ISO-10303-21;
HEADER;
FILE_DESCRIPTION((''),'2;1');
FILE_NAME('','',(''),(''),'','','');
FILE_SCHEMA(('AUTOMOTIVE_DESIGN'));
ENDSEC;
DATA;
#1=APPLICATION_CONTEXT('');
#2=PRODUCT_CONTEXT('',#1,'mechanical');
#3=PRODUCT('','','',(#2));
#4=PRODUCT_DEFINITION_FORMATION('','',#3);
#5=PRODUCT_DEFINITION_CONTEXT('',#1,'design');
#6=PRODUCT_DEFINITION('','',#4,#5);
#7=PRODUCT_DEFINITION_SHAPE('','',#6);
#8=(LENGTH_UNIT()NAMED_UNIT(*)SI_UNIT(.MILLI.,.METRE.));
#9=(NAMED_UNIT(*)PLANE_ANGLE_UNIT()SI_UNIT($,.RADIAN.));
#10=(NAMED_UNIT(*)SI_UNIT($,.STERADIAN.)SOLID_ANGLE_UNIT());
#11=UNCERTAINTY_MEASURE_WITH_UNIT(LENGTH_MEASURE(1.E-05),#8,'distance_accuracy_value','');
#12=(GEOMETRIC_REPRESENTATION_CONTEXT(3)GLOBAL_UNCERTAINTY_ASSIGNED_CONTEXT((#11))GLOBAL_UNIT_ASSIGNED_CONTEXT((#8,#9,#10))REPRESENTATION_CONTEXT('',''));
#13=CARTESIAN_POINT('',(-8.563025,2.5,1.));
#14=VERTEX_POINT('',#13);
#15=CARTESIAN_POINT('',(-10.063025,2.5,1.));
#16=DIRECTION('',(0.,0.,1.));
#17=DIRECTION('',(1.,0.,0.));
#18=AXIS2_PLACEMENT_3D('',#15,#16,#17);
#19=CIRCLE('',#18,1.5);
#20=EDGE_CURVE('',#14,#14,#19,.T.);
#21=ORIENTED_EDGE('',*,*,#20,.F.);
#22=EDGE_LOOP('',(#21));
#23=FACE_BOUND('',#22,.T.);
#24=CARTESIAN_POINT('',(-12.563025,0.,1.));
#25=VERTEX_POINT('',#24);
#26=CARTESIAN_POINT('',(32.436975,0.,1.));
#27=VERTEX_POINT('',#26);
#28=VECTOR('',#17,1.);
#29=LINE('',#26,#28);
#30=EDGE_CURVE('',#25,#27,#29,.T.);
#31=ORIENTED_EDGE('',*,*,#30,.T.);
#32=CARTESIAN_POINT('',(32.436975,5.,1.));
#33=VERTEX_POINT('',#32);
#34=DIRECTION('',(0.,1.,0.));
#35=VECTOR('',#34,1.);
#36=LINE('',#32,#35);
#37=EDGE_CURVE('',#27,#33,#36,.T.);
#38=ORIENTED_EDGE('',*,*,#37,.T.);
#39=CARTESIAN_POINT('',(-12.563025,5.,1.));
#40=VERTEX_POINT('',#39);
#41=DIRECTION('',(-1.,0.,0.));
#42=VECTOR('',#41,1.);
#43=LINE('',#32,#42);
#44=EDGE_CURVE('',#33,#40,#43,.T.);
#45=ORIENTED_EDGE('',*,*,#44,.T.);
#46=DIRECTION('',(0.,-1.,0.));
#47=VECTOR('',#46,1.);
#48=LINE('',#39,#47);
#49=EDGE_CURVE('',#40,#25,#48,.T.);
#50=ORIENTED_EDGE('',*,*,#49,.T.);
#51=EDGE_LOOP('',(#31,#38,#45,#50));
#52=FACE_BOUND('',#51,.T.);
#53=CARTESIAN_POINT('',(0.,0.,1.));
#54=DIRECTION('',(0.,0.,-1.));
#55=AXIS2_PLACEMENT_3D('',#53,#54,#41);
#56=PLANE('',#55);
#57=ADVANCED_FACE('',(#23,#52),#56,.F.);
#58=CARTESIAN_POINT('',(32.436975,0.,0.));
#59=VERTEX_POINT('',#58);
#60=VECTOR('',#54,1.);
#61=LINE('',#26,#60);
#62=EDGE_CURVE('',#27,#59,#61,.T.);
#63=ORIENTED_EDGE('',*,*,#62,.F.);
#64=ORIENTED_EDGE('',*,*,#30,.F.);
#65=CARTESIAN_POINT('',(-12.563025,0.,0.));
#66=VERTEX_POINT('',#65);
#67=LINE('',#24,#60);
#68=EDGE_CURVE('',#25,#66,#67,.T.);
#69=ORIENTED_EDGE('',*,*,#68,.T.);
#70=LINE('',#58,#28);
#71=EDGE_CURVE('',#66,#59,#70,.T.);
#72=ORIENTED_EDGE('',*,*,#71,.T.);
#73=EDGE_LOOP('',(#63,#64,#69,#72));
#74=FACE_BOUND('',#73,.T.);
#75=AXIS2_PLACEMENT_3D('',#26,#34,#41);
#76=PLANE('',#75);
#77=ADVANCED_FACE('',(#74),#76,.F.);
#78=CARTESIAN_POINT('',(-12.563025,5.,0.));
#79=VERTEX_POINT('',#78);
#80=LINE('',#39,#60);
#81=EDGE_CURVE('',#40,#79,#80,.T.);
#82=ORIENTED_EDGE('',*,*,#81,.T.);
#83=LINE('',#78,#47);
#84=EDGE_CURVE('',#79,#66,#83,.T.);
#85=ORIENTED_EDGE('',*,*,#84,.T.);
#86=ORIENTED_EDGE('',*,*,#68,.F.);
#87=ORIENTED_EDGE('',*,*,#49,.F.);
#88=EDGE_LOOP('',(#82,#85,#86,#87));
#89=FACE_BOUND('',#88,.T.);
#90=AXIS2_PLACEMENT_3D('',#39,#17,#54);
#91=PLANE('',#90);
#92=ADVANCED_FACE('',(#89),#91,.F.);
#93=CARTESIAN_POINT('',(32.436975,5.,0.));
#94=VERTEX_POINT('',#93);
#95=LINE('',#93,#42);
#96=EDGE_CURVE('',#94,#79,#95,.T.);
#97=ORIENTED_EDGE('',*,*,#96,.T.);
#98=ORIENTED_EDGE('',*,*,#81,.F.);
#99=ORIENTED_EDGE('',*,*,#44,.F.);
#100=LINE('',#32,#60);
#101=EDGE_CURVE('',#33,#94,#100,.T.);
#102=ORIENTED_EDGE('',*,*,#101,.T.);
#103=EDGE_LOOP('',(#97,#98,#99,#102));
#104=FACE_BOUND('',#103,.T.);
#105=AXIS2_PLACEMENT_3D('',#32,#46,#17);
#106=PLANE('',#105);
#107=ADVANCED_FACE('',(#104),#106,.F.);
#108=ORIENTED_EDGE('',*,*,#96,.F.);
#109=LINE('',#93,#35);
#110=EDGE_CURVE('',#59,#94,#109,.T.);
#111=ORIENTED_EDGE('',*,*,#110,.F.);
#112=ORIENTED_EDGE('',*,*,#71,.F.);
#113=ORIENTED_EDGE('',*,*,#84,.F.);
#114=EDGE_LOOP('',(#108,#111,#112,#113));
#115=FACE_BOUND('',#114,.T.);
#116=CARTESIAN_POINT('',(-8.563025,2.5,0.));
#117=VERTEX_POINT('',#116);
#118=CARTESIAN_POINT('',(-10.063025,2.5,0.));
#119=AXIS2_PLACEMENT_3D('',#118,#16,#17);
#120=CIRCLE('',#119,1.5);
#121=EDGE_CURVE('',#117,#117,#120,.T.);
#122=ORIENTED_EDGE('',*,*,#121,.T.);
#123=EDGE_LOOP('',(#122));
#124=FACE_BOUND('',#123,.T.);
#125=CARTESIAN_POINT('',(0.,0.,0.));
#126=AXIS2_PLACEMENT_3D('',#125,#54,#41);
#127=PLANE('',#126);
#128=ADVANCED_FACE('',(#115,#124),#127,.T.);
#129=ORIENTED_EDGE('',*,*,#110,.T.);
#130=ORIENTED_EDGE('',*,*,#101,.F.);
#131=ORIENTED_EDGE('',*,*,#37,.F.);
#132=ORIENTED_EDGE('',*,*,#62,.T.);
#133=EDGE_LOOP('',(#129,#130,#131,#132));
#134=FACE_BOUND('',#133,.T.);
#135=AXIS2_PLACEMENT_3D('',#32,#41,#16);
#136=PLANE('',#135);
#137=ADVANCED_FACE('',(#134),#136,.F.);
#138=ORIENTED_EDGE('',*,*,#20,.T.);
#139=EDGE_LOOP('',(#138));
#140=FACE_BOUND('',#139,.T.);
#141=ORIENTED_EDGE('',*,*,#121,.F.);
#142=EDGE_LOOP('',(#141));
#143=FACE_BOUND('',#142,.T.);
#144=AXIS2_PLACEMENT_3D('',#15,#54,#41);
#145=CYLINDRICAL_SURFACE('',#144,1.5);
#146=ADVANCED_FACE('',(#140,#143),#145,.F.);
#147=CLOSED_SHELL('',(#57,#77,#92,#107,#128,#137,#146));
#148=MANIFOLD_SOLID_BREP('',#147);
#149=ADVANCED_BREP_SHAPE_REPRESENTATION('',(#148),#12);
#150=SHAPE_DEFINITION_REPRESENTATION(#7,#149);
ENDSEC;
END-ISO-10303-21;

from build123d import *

# Parameters (mm, degrees)
SKETCH_1_W      = 45
SKETCH_1_H      = 5
SKETCH_1_R      = 1.5
EXTRUDE_1_DEPTH = 1


with BuildPart() as part:
    # 草图1 → 凸台-拉伸1 (new body)
    with BuildSketch(Plane.XY):
        with Locations((9.93697479, 2.5)):
            Rectangle(SKETCH_1_W, SKETCH_1_H)
        with Locations((-10.06302521, 2.5)):
            Circle(SKETCH_1_R, mode=Mode.SUBTRACT)
    extrude(amount=EXTRUDE_1_DEPTH)


solid = part.part
